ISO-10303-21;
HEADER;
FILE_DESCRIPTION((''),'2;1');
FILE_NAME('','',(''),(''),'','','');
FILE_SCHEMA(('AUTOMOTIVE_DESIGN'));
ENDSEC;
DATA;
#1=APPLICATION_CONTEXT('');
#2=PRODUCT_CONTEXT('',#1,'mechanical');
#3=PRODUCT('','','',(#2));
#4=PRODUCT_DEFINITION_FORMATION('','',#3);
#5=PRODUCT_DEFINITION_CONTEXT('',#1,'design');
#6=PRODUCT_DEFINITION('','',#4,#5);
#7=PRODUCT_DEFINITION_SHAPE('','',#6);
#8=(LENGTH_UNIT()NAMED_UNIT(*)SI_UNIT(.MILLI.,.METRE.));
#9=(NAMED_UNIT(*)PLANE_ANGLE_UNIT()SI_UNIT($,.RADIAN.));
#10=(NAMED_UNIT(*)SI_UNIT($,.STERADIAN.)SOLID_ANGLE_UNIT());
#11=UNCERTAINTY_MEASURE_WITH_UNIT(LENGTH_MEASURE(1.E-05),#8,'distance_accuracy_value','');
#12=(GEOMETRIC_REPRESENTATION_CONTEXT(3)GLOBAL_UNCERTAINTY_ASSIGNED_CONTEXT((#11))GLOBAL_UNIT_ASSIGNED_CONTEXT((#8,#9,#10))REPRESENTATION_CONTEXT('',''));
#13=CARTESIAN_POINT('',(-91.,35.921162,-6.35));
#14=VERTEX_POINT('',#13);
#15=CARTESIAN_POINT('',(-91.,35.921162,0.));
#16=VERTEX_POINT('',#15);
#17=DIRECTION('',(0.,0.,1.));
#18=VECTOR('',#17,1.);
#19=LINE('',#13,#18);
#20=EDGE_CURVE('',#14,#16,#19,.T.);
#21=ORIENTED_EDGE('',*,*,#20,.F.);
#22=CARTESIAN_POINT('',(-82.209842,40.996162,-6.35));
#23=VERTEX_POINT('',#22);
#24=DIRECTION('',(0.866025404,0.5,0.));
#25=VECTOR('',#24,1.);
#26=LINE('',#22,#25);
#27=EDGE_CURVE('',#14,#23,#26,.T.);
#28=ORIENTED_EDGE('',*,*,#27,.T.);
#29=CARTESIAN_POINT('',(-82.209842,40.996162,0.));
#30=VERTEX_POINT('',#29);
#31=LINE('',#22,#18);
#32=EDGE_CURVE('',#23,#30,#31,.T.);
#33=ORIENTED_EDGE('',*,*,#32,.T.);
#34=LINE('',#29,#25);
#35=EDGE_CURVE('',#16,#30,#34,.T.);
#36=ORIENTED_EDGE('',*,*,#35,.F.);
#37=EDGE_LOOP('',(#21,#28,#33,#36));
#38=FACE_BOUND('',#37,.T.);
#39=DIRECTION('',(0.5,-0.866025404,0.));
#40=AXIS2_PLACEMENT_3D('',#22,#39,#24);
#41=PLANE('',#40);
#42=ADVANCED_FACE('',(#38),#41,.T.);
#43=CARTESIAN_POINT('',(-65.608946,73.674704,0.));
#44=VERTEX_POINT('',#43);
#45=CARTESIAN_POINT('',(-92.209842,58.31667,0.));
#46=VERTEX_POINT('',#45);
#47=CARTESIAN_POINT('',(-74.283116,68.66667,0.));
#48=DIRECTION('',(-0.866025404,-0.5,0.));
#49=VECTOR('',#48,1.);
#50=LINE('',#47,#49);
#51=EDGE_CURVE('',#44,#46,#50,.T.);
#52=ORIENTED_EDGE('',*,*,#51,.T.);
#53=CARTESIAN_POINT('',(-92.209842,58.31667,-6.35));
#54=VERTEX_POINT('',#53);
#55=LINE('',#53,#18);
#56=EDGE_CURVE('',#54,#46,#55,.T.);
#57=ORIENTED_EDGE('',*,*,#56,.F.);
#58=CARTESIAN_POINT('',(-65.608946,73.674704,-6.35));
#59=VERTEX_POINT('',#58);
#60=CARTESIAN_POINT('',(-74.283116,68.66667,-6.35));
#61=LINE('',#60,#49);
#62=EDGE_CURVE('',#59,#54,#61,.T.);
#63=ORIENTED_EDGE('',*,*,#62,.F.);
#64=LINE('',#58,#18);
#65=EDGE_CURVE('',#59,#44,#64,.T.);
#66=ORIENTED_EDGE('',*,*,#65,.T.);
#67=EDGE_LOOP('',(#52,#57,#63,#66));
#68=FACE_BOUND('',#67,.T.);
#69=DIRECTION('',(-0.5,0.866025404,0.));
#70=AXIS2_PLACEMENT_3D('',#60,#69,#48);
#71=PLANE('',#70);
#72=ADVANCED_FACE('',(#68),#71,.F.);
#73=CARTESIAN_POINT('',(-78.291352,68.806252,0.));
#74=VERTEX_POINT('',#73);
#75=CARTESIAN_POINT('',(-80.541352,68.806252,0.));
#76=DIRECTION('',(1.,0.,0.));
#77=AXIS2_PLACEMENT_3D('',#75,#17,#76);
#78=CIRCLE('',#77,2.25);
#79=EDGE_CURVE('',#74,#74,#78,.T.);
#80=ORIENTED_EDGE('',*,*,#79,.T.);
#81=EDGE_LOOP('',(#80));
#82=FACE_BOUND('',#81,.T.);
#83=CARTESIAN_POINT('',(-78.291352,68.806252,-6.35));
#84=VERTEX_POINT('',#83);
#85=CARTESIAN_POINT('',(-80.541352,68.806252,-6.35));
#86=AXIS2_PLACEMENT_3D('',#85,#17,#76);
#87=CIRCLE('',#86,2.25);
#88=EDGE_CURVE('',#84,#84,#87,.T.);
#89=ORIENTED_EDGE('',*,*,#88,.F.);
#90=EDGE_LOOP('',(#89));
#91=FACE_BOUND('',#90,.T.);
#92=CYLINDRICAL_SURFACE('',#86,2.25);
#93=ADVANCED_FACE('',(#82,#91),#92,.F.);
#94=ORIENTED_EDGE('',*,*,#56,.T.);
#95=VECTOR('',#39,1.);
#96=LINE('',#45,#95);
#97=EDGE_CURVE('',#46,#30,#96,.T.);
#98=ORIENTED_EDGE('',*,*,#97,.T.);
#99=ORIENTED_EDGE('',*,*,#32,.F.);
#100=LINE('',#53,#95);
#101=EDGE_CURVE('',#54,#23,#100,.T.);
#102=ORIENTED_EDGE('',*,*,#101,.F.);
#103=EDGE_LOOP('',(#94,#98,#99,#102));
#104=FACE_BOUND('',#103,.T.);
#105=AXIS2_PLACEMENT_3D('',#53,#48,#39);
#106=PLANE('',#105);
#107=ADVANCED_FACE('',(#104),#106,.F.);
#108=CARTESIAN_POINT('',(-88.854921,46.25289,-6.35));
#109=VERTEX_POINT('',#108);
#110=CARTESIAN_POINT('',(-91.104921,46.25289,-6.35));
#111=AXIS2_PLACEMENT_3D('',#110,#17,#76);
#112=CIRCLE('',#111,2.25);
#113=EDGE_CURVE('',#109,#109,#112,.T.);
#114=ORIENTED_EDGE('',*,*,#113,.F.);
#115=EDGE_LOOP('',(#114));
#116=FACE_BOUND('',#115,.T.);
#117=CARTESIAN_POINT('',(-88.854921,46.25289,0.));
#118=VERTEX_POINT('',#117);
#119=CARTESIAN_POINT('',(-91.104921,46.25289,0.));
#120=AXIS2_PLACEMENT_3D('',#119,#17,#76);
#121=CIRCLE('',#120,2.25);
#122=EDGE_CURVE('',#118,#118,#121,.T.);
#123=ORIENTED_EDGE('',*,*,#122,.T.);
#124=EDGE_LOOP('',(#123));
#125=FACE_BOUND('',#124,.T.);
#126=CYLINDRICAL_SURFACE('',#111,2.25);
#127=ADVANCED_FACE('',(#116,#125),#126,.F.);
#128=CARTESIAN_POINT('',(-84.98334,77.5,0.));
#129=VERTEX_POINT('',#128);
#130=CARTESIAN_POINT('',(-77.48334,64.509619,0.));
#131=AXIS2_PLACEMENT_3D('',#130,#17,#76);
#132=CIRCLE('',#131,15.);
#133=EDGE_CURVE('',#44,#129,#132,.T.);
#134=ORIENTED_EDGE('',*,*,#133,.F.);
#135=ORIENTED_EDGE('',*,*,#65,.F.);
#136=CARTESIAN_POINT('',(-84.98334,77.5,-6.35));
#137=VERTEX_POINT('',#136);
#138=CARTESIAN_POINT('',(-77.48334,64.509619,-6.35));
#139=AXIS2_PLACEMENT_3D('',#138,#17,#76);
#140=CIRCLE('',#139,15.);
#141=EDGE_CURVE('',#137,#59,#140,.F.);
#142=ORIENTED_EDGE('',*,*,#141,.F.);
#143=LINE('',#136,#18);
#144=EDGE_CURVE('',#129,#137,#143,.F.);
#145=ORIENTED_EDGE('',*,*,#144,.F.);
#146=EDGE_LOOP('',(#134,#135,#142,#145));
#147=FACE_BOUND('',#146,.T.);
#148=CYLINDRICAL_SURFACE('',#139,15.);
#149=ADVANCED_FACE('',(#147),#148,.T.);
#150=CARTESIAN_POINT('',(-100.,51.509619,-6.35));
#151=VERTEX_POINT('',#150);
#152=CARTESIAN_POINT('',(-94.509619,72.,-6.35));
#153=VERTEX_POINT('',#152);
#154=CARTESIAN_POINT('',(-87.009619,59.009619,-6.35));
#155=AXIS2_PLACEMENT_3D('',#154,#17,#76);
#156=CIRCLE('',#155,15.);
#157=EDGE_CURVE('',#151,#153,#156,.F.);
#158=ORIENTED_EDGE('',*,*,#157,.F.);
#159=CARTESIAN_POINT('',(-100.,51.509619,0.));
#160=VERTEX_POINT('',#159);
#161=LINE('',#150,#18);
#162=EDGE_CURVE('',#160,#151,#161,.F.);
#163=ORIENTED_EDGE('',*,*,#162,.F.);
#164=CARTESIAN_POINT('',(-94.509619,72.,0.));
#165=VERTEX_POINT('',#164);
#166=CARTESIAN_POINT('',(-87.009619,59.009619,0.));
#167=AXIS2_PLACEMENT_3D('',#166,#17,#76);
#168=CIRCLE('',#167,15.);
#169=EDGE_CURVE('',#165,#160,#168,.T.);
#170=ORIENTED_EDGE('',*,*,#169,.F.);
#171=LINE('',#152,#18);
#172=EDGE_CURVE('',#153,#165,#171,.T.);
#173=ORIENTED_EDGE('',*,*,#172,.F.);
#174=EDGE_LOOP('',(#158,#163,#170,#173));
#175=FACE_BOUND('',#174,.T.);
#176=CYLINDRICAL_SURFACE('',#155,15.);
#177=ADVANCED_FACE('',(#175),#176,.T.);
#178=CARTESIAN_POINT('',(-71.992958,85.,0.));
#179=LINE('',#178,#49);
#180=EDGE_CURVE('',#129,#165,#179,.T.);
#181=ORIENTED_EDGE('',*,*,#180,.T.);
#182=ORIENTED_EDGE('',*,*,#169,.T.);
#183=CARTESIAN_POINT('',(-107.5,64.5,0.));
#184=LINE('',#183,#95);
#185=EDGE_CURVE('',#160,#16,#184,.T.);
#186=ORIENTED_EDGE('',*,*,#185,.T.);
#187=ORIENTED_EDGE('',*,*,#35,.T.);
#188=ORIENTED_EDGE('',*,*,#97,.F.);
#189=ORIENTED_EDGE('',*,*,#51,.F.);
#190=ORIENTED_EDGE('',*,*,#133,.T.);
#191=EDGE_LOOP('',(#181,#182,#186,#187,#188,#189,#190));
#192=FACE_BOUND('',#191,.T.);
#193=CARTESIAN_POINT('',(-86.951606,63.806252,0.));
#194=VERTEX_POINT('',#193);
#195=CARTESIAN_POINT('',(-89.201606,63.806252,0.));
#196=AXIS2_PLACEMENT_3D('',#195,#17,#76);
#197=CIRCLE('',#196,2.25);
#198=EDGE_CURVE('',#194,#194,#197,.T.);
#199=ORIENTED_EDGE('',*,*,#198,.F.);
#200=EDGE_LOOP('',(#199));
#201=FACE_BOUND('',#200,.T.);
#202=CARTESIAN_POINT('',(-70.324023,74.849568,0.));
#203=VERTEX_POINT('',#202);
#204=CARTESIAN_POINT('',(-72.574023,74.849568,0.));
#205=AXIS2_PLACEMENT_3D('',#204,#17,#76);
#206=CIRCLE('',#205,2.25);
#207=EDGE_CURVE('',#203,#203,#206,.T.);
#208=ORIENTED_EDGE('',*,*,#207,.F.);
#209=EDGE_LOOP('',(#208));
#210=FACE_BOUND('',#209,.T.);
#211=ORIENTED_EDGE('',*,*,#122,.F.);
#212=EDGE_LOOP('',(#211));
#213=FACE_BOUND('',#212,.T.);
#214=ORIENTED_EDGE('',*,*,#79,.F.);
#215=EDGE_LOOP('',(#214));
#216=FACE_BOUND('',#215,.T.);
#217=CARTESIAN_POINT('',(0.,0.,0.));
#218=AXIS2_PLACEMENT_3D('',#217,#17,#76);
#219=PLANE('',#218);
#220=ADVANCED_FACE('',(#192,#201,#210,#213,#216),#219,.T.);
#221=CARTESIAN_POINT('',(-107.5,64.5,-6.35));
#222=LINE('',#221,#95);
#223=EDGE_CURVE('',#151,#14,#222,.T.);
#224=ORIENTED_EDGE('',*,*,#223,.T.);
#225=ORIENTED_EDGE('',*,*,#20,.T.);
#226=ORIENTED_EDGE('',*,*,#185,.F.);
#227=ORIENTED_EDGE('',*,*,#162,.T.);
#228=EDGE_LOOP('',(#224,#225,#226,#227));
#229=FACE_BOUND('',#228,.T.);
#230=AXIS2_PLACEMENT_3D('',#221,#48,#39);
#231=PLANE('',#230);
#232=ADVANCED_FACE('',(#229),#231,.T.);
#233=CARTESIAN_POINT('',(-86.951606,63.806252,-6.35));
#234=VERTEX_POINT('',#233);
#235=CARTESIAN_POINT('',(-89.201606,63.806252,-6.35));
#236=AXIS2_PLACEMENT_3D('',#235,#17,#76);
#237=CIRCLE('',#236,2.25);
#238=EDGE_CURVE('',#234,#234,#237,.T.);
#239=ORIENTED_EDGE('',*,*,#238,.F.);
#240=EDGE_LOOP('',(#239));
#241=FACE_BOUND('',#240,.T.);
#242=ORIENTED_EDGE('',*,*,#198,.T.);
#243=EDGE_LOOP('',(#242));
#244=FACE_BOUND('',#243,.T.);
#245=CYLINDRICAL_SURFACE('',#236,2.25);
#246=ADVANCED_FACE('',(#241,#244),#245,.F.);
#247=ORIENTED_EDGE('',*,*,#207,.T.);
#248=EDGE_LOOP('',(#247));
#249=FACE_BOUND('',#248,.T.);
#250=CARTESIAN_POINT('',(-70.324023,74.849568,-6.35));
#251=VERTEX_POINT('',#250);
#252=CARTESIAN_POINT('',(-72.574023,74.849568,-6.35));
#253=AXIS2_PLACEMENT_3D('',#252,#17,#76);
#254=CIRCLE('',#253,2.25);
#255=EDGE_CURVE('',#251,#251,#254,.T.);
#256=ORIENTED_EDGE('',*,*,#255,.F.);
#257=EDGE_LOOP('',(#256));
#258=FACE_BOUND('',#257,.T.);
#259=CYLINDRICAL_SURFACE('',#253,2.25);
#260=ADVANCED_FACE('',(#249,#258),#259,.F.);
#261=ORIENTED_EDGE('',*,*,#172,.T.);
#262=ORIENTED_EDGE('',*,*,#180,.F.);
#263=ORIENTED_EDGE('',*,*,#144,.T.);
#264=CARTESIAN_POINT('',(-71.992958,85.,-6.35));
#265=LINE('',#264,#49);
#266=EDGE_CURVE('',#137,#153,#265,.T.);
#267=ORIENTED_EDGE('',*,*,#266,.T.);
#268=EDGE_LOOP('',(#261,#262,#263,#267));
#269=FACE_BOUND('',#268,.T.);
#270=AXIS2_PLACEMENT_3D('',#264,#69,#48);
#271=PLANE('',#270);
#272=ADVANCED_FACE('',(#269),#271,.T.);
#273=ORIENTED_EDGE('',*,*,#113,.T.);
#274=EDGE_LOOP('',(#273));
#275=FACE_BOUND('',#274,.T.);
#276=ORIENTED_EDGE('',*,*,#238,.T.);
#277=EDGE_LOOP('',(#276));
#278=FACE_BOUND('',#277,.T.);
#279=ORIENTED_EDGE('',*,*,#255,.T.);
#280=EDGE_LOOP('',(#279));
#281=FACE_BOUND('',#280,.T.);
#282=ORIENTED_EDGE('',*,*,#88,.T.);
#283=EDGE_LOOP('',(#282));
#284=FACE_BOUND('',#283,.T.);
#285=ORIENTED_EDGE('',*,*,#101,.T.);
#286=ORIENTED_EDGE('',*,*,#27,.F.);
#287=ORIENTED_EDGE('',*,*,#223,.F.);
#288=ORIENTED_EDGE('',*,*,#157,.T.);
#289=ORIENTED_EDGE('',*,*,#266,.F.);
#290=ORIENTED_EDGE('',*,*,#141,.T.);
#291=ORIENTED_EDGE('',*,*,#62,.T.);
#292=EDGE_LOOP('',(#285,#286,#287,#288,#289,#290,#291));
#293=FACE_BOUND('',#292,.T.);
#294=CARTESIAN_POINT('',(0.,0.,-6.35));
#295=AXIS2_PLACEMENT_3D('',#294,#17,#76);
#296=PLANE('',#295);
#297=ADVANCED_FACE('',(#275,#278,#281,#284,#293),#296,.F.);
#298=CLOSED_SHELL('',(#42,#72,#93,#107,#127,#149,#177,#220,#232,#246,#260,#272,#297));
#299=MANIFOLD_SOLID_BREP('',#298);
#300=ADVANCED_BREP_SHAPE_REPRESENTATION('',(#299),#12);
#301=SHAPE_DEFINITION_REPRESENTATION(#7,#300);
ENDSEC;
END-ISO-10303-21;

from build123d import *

# Parameters (mm, degrees)
ESQUISSE3_W                   = 53.75
ESQUISSE3_H                   = 73.333333334
BOSS_EXTRU_2_DEPTH            = 6.35
CONG_6_R                      = 20
CONG_7_R                      = 15
ESQUISSE4_R                   = 2.25
ENL_V_MAT_EXTRU_2_DEPTH       = 6.35
SYM_TRIE2_COPY_1_SKETCH_R     = 2.25
SYM_TRIE2_COPY_1_DEPTH        = 6.35
DIAM_TRE_DU_PER_AGE_4_0_4_1_D = 4
ESQUISSE9_OUTSIDE_W           = 257.77
ESQUISSE9_OUTSIDE_H           = 212.77
ENL_V_MAT_EXTRU_3_DEPTH       = 130.491560966
ESQUISSE10_R                  = 2.25
ENL_V_MAT_EXTRU_4_DEPTH       = 130.491560966


with BuildPart() as part:
    # Esquisse3 → Boss.-Extru.2 (new body)
    with BuildSketch(Plane.XY):
        Polygon((-54.672450369, 55), (54.672450369, 55), (71.992958445, 85), (107.5, 64.5), (77.5, 12.538475773), (77.5, -12.538475773), (107.5, -64.5), (71.992958445, -85), (54.672450369, -55), (-54.672450369, -55), (-71.992958445, -85), (-107.5, -64.5), (-77.5, -12.538475773), (-77.5, 12.538475773), (-107.5, 64.5), (-71.992958445, 85), align=None)
        Rectangle(ESQUISSE3_W, ESQUISSE3_H, mode=Mode.SUBTRACT)
    extrude(amount=-BOSS_EXTRU_2_DEPTH)

    # Congé6
    cong_6_edges = [part.edges().sort_by_distance(p)[0] for p in [
        (-54.672450369, 55, -3.175),
        (54.672450369, 55, -3.175),
        (77.5, 12.538475773, -3.175),
        (77.5, -12.538475773, -3.175),
        (54.672450369, -55, -3.175),
        (-54.672450369, -55, -3.175),
        (-77.5, -12.538475773, -3.175),
        (-77.5, 12.538475773, -3.175),
        (-26.875, -36.666666667, -3.175),
        (-26.875, 36.666666667, -3.175),
        (26.875, 36.666666667, -3.175),
        (26.875, -36.666666667, -3.175),
    ]]
    fillet(cong_6_edges, radius=CONG_6_R)

    # Congé7
    cong_7_edges = [part.edges().sort_by_distance(p)[0] for p in [
        (71.992958445, 85, -3.175),
        (107.5, 64.5, -3.175),
        (107.5, -64.5, -3.175),
        (71.992958445, -85, -3.175),
        (-71.992958445, -85, -3.175),
        (-107.5, -64.5, -3.175),
        (-107.5, 64.5, -3.175),
        (-71.992958445, 85, -3.175),
    ]]
    fillet(cong_7_edges, radius=CONG_7_R)

    # Esquisse4 → Enlèv. mat.-Extru.2 (cut)
    with BuildSketch(Plane.XY):
        with Locations((-56.291352203, 26.80402023)):
            Circle(ESQUISSE4_R)
        with Locations((-64.951606241, 21.80402023)):
            Circle(ESQUISSE4_R)
        with Locations((-89.201606241, 63.806252313)):
            Circle(ESQUISSE4_R)
        with Locations((-80.541352203, 68.806252313)):
            Circle(ESQUISSE4_R)
        Polygon((-53.283116293, 32.293602792), (-74.283116293, 68.666669751), (-92.209842152, 58.316669751), (-71.209842152, 21.943602792), align=None)
        with BuildLine():
            Line((-51.695036381, 4.342967697), (-54.695036381, 9.53912012))
            ThreePointArc((-54.695036381, 9.53912012), (-53.871479222, 12.612677278), (-50.797922064, 11.78912012))
            Line((-50.797922064, 11.78912012), (-47.797922064, 6.592967697))
            ThreePointArc((-47.797922064, 6.592967697), (-48.621479222, 3.519410539), (-51.695036381, 4.342967697))
        make_face()
    enl_v_mat_extru_2 = extrude(amount=-ENL_V_MAT_EXTRU_2_DEPTH, mode=Mode.SUBTRACT)

    # Symétrie1: Enlèv. mat.-Extru.2 across plane
    add(enl_v_mat_extru_2.mirror(Plane.ZX), mode=Mode.SUBTRACT)

    # Symétrie2: Enlèv. mat.-Extru.2 across plane
    add(enl_v_mat_extru_2.mirror(Plane(origin=(0, 0, 0), x_dir=(0, 0, 1), z_dir=(1, 0, 0))), mode=Mode.SUBTRACT)

    # Symétrie2 copy 1 sketch → Symétrie2 copy 1 (cut)
    with BuildSketch(Plane(origin=(0, 0, 0), x_dir=(-1, 0, 0), z_dir=(0, 0, 1))):
        with Locations((-56.291352203, 26.80402023)):
            Circle(SYM_TRIE2_COPY_1_SKETCH_R)
        with Locations((-64.951606241, 21.80402023)):
            Circle(SYM_TRIE2_COPY_1_SKETCH_R)
        with Locations((-89.201606241, 63.806252313)):
            Circle(SYM_TRIE2_COPY_1_SKETCH_R)
        with Locations((-80.541352203, 68.806252313)):
            Circle(SYM_TRIE2_COPY_1_SKETCH_R)
        Polygon((-53.283116293, 32.293602792), (-74.283116293, 68.666669751), (-92.209842152, 58.316669751), (-71.209842152, 21.943602792), align=None)
        with BuildLine():
            Line((-51.695036381, 4.342967697), (-54.695036381, 9.53912012))
            ThreePointArc((-54.695036381, 9.53912012), (-53.871479222, 12.612677278), (-50.797922064, 11.78912012))
            Line((-50.797922064, 11.78912012), (-47.797922064, 6.592967697))
            ThreePointArc((-47.797922064, 6.592967697), (-48.621479222, 3.519410539), (-51.695036381, 4.342967697))
        make_face()
    extrude(amount=-SYM_TRIE2_COPY_1_DEPTH, mode=Mode.SUBTRACT)

    # Diamètre du perçage Ø4.0 (4)1 (through all)
    with Locations(Plane.XY):
        with Locations((33, 48), (-33, 48), (-33, -48), (33, -48)):
            Hole(DIAM_TRE_DU_PER_AGE_4_0_4_1_D / 2)

    # Esquisse9 outside → Enlèv. mat.-Extru.3 (cut, through all)
    with BuildSketch(Plane.XY):
        Rectangle(ESQUISSE9_OUTSIDE_W, ESQUISSE9_OUTSIDE_H)
        with BuildLine():
            Line((-65.608946312, 73.674704124), (-92.209842152, 58.316669751))
            Line((-92.209842152, 58.316669751), (-82.209842152, 40.996161675))
            Line((-82.209842152, 40.996161675), (-91, 35.921161675))
            Line((-91, 35.921161675), (-100, 51.509618943))
            ThreePointArc((-100, 51.509618943), (-101.498506338, 62.89190462), (-94.509618943, 72))
            Line((-94.509618943, 72), (-84.983339502, 77.5))
            ThreePointArc((-84.983339502, 77.5), (-74.577818709, 79.225526966), (-65.608946312, 73.674704124))
        make_face(mode=Mode.SUBTRACT)
    extrude(amount=-ENL_V_MAT_EXTRU_3_DEPTH, mode=Mode.SUBTRACT)

    # Esquisse10 → Enlèv. mat.-Extru.4 (cut, through all)
    with BuildSketch(Plane.XY):
        with Locations((-91.104921076, 46.252890309)):
            Circle(ESQUISSE10_R)
        with Locations((-72.574022775, 74.849567776)):
            Circle(ESQUISSE10_R)
    extrude(amount=-ENL_V_MAT_EXTRU_4_DEPTH, mode=Mode.SUBTRACT)


solid = part.part
